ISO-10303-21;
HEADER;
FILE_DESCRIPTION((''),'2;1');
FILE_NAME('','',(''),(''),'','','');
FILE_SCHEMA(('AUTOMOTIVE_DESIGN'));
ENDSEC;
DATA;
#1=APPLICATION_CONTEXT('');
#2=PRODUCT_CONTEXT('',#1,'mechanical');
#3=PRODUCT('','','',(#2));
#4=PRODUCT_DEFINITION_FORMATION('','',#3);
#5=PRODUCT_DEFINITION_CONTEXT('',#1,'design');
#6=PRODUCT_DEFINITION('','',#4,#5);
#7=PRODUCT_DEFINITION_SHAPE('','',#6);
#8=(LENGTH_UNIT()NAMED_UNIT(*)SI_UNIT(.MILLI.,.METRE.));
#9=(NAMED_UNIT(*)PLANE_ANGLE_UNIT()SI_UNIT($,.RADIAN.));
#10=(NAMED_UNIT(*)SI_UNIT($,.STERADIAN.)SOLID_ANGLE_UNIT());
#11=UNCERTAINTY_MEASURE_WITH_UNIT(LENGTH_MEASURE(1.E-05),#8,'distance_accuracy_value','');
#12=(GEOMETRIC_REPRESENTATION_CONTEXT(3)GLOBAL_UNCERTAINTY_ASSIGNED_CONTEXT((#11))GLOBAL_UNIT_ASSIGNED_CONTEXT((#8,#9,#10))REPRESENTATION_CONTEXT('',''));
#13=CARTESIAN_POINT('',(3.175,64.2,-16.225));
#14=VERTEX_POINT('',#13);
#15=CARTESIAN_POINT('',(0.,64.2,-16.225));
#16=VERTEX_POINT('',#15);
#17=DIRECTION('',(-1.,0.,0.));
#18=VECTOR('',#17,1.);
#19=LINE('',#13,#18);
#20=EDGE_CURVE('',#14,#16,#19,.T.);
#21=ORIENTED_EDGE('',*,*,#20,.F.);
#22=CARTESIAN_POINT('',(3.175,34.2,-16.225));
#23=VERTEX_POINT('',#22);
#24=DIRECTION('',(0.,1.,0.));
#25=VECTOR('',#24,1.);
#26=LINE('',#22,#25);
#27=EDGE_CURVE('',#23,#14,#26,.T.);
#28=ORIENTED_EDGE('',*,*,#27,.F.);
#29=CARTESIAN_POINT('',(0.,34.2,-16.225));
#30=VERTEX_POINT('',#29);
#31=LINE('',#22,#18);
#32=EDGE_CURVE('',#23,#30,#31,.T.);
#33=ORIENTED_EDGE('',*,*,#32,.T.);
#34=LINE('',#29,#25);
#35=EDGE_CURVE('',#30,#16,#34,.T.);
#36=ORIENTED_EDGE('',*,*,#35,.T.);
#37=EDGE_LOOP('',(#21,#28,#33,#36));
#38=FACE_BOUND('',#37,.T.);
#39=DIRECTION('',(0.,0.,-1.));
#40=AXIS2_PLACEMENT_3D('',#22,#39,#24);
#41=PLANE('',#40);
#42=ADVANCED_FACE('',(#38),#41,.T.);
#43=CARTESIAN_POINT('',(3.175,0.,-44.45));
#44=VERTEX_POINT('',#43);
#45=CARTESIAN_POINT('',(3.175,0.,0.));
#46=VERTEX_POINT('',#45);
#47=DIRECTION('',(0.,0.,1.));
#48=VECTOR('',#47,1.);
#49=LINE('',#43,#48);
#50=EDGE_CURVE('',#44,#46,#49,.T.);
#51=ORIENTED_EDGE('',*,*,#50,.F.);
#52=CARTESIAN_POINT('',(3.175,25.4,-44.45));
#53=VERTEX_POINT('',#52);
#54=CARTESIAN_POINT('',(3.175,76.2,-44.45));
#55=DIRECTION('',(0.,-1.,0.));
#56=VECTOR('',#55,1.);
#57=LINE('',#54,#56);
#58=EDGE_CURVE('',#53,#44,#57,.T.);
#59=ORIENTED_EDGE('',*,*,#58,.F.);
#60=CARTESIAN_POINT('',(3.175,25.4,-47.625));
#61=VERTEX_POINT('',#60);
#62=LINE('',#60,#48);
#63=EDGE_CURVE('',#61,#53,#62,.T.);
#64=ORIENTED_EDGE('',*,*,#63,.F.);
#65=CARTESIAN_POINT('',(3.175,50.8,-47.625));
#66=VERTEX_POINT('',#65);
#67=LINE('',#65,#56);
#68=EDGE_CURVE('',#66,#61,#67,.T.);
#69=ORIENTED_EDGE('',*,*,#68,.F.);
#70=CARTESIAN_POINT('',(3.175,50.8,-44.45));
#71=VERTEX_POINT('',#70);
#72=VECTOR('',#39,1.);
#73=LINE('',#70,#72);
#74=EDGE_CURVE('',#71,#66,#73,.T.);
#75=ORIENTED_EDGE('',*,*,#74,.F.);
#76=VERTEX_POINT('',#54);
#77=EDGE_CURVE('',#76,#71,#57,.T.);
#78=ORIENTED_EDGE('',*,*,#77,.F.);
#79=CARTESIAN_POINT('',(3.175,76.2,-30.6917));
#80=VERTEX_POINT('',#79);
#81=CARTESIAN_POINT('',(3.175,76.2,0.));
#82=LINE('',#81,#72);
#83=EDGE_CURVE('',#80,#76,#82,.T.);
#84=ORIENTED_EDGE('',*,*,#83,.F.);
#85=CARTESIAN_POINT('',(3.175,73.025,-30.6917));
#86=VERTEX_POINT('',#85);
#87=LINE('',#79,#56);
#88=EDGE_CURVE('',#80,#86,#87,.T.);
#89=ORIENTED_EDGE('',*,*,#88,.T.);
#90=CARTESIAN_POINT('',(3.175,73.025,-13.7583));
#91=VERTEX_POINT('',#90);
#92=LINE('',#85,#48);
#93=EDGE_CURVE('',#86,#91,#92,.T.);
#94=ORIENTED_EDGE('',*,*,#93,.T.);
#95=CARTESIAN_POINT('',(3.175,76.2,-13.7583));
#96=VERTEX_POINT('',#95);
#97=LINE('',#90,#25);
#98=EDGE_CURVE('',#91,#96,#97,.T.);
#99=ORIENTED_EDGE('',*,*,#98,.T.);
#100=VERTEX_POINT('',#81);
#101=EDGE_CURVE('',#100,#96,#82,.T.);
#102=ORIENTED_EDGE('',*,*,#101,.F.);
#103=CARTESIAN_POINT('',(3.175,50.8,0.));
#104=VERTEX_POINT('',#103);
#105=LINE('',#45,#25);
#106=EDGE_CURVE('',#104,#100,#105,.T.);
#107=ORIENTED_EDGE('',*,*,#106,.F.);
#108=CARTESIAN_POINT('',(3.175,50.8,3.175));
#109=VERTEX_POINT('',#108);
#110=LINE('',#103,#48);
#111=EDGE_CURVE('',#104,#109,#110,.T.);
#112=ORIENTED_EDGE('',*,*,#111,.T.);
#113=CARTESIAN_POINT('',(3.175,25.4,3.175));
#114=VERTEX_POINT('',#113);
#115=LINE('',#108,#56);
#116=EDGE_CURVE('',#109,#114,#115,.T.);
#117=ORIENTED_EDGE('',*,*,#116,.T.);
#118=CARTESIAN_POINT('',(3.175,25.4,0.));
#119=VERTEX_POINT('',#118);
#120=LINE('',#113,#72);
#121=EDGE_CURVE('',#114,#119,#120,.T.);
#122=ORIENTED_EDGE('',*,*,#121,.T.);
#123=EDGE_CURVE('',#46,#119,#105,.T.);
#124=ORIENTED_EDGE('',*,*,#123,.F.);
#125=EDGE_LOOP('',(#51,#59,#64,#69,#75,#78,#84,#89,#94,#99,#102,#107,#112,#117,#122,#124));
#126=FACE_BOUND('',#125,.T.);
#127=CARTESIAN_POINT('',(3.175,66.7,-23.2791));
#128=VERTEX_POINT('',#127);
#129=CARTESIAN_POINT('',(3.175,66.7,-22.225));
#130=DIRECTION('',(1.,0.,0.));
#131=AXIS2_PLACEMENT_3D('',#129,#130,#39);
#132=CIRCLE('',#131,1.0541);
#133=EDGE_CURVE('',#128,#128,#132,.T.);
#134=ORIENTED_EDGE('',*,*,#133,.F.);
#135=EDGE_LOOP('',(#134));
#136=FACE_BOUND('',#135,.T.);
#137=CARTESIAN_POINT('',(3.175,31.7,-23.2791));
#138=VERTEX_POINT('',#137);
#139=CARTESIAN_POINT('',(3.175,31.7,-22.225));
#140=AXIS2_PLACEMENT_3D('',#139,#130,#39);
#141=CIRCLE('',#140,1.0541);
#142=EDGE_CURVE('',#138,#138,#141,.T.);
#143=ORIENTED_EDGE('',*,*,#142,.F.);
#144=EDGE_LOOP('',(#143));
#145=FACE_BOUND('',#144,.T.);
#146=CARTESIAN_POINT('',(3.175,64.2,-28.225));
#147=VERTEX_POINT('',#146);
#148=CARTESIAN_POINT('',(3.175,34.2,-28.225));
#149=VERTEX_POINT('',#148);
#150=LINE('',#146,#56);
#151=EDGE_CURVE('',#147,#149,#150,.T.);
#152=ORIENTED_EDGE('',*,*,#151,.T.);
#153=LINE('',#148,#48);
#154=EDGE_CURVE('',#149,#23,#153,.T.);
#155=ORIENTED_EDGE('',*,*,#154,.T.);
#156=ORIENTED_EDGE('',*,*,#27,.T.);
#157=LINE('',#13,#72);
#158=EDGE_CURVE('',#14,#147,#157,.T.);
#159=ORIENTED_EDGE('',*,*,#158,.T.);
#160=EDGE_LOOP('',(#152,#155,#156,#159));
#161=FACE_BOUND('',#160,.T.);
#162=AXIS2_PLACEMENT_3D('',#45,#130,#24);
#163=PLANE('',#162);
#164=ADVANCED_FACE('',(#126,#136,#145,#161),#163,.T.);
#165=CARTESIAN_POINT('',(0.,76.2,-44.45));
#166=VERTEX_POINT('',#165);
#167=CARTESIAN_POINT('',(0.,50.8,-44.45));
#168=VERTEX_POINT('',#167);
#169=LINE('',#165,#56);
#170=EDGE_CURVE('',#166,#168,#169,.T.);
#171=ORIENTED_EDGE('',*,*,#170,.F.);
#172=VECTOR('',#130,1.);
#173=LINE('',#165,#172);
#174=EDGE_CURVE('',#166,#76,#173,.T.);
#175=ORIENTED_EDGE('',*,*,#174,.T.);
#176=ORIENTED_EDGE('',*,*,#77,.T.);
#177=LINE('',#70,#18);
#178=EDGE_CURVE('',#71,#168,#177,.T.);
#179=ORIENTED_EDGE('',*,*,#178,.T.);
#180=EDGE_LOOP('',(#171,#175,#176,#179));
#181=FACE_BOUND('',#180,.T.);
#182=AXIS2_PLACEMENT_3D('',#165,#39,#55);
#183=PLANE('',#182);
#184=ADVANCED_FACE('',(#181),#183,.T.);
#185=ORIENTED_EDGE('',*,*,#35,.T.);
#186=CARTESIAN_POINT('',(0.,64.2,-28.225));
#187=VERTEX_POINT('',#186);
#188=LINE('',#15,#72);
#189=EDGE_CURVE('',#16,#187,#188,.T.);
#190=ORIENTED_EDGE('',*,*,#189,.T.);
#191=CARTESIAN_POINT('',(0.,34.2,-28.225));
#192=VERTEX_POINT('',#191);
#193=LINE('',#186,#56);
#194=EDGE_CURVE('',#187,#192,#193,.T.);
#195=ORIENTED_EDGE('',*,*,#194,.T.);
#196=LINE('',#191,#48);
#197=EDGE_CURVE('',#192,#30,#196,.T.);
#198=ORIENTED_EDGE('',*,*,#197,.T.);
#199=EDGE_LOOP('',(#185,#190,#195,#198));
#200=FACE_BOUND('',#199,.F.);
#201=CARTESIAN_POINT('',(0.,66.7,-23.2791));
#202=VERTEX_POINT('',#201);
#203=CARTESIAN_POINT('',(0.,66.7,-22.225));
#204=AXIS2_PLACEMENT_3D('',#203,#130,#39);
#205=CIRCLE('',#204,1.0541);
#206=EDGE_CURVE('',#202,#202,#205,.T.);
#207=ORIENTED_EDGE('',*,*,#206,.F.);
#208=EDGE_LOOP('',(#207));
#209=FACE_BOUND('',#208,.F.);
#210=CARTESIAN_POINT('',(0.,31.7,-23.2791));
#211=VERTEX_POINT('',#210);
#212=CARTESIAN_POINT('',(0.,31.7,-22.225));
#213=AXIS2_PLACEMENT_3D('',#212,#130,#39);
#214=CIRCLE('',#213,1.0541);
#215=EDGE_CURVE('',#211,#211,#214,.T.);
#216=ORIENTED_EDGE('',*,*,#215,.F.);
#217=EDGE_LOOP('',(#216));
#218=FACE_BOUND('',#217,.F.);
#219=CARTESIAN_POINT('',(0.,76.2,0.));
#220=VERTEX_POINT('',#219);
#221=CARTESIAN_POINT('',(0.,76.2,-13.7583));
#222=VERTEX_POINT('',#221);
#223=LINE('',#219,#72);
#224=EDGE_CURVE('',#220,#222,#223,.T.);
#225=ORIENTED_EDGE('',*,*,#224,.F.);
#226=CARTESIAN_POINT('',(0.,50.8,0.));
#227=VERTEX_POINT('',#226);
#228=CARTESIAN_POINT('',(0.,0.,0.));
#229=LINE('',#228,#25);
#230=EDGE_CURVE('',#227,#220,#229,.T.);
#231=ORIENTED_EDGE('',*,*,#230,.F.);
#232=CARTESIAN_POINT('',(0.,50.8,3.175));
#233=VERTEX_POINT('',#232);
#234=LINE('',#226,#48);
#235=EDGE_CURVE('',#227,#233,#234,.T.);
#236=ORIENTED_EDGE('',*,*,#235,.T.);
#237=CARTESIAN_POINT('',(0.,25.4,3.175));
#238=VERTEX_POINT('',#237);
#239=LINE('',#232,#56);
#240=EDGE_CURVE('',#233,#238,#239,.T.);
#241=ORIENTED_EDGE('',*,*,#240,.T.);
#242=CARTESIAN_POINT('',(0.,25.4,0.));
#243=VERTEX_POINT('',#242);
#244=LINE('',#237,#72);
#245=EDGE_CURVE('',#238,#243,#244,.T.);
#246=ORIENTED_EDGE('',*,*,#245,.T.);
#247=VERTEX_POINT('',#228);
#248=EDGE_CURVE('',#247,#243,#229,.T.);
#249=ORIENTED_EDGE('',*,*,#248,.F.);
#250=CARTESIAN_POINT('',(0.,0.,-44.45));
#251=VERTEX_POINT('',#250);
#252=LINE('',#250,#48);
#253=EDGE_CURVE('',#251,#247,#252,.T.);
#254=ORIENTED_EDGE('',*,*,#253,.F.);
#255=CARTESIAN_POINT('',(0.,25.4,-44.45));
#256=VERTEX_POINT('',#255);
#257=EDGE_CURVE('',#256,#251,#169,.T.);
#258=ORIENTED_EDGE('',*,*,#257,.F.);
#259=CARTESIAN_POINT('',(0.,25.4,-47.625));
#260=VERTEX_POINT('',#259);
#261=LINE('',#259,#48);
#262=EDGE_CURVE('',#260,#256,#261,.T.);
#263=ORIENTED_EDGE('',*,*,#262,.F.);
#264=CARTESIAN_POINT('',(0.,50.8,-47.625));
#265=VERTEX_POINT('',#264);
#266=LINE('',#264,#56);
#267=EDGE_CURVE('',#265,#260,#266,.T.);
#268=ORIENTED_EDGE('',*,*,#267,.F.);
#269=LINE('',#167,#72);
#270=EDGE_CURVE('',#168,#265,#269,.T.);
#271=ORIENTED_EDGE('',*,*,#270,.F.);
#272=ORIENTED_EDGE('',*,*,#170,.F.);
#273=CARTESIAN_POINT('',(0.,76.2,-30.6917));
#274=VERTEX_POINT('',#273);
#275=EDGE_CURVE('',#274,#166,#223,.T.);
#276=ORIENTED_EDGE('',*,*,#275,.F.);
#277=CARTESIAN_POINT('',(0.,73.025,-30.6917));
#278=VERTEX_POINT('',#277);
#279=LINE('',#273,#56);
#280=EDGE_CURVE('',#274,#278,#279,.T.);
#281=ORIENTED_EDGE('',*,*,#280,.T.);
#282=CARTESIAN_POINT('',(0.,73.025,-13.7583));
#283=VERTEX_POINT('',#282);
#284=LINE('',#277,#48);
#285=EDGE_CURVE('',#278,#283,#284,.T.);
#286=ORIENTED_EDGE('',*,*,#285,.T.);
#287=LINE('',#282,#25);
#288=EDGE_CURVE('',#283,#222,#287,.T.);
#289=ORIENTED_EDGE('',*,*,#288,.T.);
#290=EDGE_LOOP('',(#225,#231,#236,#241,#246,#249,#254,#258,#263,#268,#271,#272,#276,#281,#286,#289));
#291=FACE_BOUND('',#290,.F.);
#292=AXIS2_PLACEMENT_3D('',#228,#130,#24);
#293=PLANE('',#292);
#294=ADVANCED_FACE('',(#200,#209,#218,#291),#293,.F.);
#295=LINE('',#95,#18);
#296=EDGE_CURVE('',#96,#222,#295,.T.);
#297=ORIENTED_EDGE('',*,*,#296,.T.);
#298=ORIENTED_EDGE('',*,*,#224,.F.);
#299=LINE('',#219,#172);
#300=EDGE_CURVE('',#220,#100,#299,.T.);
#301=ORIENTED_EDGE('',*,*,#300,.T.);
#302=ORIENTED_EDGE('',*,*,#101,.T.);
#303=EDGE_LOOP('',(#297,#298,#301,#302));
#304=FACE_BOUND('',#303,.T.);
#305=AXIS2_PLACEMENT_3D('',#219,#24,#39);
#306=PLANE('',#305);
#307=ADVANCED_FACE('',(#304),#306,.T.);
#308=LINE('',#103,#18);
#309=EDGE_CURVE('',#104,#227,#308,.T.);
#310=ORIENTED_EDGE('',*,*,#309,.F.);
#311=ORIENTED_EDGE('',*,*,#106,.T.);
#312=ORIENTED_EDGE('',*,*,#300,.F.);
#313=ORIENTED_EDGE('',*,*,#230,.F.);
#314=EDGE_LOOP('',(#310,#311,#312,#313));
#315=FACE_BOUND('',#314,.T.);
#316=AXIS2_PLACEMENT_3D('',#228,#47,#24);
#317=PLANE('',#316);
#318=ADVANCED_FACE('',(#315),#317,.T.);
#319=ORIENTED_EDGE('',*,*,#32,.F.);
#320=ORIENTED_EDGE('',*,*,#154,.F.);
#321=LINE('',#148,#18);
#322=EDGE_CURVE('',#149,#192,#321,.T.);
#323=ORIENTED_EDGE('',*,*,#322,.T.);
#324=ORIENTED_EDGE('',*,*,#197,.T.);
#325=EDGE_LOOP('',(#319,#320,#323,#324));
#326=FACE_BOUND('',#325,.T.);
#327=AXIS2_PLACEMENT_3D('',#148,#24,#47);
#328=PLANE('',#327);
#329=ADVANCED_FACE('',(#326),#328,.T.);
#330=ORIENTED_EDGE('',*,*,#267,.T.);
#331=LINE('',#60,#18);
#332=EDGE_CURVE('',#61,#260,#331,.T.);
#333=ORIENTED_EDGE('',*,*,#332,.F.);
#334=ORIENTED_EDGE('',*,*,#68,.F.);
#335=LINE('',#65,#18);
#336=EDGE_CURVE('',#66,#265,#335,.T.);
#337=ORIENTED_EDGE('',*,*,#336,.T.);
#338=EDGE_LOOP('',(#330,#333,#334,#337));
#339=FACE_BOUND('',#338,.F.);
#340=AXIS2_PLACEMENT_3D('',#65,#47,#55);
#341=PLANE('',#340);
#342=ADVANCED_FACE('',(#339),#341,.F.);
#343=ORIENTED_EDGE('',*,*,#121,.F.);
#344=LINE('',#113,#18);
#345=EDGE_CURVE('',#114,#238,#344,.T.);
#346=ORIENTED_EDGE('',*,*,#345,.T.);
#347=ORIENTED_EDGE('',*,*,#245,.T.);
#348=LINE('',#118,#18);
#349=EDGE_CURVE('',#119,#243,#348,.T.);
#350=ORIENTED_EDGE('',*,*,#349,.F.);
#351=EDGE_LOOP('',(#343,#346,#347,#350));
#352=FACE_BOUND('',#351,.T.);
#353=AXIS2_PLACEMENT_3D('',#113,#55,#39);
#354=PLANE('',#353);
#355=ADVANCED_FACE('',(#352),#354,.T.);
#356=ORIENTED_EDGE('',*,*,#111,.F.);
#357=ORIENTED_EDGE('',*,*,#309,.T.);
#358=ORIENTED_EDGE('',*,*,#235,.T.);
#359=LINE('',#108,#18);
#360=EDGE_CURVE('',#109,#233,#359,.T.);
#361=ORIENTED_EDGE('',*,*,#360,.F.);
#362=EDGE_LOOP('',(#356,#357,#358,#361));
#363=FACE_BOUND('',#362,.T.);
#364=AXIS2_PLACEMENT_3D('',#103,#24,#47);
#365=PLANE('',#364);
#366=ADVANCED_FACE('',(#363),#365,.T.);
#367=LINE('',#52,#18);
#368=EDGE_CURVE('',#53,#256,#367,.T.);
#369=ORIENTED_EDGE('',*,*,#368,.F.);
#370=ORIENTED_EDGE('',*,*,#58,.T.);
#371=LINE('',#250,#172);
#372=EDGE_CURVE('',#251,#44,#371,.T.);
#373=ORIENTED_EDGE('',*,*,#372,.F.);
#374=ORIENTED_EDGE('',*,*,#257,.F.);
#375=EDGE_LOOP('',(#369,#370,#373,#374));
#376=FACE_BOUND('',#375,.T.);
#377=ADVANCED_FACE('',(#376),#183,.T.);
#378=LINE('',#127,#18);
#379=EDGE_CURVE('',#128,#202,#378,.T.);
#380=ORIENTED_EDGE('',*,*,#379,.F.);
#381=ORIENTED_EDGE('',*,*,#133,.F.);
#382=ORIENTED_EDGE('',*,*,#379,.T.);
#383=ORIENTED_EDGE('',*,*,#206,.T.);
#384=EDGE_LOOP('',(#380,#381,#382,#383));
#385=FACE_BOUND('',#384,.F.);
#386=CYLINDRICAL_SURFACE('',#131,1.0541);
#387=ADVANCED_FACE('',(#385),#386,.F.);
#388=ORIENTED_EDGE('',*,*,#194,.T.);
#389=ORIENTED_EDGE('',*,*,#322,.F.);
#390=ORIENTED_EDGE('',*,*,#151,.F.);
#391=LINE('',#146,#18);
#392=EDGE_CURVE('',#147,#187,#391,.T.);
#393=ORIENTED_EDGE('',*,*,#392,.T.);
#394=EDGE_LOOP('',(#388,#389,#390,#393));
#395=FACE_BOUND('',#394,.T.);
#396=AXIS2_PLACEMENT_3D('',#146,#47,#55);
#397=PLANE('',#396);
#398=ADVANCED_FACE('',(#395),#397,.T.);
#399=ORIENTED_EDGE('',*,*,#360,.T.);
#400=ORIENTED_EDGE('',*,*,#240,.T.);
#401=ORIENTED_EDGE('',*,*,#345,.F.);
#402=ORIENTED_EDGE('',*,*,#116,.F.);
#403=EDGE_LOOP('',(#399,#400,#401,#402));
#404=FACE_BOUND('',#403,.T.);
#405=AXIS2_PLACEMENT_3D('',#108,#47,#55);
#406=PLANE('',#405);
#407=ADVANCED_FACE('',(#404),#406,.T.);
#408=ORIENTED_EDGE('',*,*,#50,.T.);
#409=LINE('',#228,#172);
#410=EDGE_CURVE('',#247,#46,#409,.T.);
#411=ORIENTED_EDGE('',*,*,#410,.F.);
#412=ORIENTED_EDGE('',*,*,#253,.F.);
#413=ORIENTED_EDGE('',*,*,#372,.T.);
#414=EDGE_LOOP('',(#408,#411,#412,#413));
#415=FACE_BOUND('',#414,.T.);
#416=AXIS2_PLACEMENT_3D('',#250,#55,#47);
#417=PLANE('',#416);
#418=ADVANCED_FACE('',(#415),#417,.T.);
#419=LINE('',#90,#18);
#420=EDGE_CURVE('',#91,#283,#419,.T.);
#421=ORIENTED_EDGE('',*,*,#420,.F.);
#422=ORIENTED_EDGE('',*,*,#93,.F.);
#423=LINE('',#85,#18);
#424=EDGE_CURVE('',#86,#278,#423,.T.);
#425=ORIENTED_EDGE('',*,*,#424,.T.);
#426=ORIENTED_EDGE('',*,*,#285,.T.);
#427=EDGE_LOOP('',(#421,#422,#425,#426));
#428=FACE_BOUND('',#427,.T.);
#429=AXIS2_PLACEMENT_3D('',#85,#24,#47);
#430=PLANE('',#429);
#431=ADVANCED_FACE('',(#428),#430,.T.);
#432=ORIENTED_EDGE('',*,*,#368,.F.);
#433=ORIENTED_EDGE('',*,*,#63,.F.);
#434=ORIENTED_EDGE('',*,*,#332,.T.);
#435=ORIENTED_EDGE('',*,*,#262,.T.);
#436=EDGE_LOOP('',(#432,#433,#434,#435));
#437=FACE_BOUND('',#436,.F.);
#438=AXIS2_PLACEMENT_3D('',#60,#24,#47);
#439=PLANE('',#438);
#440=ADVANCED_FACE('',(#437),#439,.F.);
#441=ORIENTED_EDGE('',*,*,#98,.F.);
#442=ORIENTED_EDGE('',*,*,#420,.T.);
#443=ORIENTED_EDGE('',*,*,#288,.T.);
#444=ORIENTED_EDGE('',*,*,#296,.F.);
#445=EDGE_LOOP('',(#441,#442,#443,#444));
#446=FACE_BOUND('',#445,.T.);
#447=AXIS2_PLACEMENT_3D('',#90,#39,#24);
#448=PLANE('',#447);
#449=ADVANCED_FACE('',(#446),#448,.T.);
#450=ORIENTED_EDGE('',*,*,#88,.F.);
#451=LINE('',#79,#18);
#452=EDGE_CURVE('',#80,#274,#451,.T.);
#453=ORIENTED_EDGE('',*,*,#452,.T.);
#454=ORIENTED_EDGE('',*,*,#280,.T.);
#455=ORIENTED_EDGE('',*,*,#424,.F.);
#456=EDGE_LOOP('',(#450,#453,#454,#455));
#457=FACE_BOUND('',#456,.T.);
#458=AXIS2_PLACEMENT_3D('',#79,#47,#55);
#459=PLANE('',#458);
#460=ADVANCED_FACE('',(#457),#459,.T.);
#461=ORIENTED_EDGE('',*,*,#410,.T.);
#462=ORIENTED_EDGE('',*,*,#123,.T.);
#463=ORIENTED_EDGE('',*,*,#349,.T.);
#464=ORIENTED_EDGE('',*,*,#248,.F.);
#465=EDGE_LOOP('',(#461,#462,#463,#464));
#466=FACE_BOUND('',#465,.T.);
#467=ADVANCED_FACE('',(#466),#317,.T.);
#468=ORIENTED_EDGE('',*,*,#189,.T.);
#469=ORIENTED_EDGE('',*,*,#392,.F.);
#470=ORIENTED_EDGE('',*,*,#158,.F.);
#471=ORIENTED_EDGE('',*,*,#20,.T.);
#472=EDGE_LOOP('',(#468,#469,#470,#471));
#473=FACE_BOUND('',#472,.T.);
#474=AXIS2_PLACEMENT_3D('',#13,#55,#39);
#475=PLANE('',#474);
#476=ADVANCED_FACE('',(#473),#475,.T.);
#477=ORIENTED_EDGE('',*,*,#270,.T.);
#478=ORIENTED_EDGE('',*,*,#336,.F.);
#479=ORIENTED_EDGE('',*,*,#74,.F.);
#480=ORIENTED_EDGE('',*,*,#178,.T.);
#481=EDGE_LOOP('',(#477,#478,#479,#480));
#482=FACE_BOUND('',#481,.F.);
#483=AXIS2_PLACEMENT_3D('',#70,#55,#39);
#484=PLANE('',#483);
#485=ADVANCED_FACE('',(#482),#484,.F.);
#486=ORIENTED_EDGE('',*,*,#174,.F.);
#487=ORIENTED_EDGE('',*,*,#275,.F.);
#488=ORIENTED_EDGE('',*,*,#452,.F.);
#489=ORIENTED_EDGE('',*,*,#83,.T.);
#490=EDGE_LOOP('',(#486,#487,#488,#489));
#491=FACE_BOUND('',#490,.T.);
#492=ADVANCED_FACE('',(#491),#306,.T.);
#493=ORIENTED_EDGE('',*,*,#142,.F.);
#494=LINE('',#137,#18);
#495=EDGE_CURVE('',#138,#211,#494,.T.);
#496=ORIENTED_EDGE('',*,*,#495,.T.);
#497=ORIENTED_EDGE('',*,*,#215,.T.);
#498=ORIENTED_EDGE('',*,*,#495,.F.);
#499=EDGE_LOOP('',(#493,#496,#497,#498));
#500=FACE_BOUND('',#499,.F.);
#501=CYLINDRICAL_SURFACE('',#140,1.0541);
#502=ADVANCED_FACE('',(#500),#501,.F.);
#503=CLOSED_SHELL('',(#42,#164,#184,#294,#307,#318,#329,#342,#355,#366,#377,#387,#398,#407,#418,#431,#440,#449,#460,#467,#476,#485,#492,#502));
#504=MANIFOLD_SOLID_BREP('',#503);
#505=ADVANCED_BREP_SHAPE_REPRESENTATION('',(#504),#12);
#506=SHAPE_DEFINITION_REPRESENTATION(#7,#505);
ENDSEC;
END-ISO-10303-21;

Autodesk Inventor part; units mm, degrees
ref_plane "YZ Plane" through (0, 0, 0) normal (1, 0, 0) x (0, 1, 0)
ref_plane "XZ Plane" through (0, 0, 0) normal (0, 1, 0) x (-1, 0, 0)
ref_plane "XY Plane" through (0, 0, 0) normal (0, 0, 1) x (1, 0, 0)
sketch "Sketch1" plane through (0, 0, 0) normal (1, 0, 0) x (0, 1, 0)
  line L0 (0, 0) -> (76.2, 0)
  line L1 (76.2, 0) -> (76.2, -44.45)
  line L2 (76.2, -44.45) -> (0, -44.45)
  line L3 (0, -44.45) -> (0, 0)
  dimension "d0" = 76.2
  dimension "d1" = 44.45
extrude "Extrusion1" add sketch "Sketch1" along normal blind 3.175
sketch "Sketch2" plane through (3.175, 0, 0) normal (1, 0, 0) x (0, 0, -1)
  line L0 (44.45, 76.2) -> (0, 76.2) projected
  line L1 (13.7583, 76.2) -> (30.6917, 76.2)
  line L2 (30.6917, 76.2) -> (30.6917, 73.025)
  line L3 (30.6917, 73.025) -> (13.7583, 73.025)
  line L4 (13.7583, 73.025) -> (13.7583, 76.2)
  line L5 (0, 76.2) -> (0, 0) projected
  dimension "d4" = 16.9333
  dimension "d5" = 3.175
  dimension "d8" = 13.7583
extrude "Extrusion2" cut sketch "Sketch2" against normal blind 3.175
sketch "Sketch3" plane through (3.175, 0, 0) normal (1, 0, 0) x (0, 0, -1)
  line L0 (0, 76.2) -> (0, 0) projected
  line L1 (0, 0) -> (44.45, 0) projected
  line L2 (44.45, 0) -> (44.45, 76.2) projected
  line L3 (44.45, 50.8) -> (47.625, 50.8)
  line L4 (47.625, 50.8) -> (47.625, 25.4)
  line L5 (47.625, 25.4) -> (44.45, 25.4)
  line L6 (44.45, 25.4) -> (44.45, 50.8)
  line L7 (0, 50.8) -> (-3.175, 50.8)
  line L8 (-3.175, 50.8) -> (-3.175, 25.4)
  line L9 (-3.175, 25.4) -> (0, 25.4)
  line L10 (0, 25.4) -> (0, 50.8)
  dimension "d9" = 3.175
  dimension "d10" = 25.4
  dimension "d11" = 25.4
  dimension "d12" = 3.175
  dimension "d13" = 25.4
extrude "Extrusion3" add sketch "Sketch3" against normal blind 3.175
sketch "Sketch4" plane through (3.175, 0, 0) normal (1, 0, 0) x (0, 0, -1)
  line L0 (-3.175, 50.8) -> (-3.175, 25.4) projected
  line L1 (44.45, 76.2) -> (30.6917, 76.2) projected
  line L2 (16.225, 64.2) -> (28.225, 64.2)
  line L3 (28.225, 64.2) -> (28.225, 34.2)
  line L4 (28.225, 34.2) -> (16.225, 34.2)
  line L5 (16.225, 34.2) -> (16.225, 64.2)
  circle A0 centre (22.225, 66.7) radius 1.0541
  circle A1 centre (22.225, 31.7) radius 1.0541
  dimension "d16" = 12
  dimension "d17" = 30
  dimension "d19" = 19.4
  dimension "d20" = 12
  dimension "d21" = 2.1082
  dimension "d22" = 6
  dimension "d23" = 2.5
  dimension "d24" = 2.1082
  dimension "d25" = 6
  dimension "d26" = 2.5
extrude "Extrusion4" cut sketch "Sketch4" against normal blind 3.175
equation "\"d0\" = height"
equation "\"d1\" = depth - 2 * thick"
equation "\"d2\" = thick"
equation "\"d4\" = 0.333333 * depth"
equation "\"d5\" = thick"
equation "\"d8\" = 0.333333 * depth - thick"
equation "\"d6\" = thick"
equation "\"d9\" = thick"
equation "\"d10\" = 0.333333 * height"
equation "\"d11\" = 0.333333 * height"
equation "\"d12\" = thick"
equation "\"d13\" = 0.333333 * height"
equation "\"d14\" = thick"
equation "\"d16\" = servoWidth"
equation "\"d17\" = servoLength"
equation "\"d19\" = -0.5 * servoWidth + 0.5 * depth"
equation "\"d20\" = servoOffset"
equation "\"d21\" = servoHole"
equation "\"d22\" = 0.5 * servoWidth"
equation "\"d23\" = -0.5 * servoLength + 0.5 * servoDist"
equation "\"d24\" = servoHole"
equation "\"d25\" = 0.5 * servoWidth"
equation "\"d26\" = -0.5 * servoLength + 0.5 * servoDist"
equation "\"d27\" = thick"
equation "\"height\" = 76.2"
equation "\"thick\" = 3.175"
equation "\"depth\" = 50.8"
equation "\"servoLength\" = 30"
equation "\"servoWidth\" = 12"
equation "\"servoOffset\" = 12"
equation "\"servoDist\" = 35"
equation "\"servoHole\" = 2.1082"
properties part number "Side"
